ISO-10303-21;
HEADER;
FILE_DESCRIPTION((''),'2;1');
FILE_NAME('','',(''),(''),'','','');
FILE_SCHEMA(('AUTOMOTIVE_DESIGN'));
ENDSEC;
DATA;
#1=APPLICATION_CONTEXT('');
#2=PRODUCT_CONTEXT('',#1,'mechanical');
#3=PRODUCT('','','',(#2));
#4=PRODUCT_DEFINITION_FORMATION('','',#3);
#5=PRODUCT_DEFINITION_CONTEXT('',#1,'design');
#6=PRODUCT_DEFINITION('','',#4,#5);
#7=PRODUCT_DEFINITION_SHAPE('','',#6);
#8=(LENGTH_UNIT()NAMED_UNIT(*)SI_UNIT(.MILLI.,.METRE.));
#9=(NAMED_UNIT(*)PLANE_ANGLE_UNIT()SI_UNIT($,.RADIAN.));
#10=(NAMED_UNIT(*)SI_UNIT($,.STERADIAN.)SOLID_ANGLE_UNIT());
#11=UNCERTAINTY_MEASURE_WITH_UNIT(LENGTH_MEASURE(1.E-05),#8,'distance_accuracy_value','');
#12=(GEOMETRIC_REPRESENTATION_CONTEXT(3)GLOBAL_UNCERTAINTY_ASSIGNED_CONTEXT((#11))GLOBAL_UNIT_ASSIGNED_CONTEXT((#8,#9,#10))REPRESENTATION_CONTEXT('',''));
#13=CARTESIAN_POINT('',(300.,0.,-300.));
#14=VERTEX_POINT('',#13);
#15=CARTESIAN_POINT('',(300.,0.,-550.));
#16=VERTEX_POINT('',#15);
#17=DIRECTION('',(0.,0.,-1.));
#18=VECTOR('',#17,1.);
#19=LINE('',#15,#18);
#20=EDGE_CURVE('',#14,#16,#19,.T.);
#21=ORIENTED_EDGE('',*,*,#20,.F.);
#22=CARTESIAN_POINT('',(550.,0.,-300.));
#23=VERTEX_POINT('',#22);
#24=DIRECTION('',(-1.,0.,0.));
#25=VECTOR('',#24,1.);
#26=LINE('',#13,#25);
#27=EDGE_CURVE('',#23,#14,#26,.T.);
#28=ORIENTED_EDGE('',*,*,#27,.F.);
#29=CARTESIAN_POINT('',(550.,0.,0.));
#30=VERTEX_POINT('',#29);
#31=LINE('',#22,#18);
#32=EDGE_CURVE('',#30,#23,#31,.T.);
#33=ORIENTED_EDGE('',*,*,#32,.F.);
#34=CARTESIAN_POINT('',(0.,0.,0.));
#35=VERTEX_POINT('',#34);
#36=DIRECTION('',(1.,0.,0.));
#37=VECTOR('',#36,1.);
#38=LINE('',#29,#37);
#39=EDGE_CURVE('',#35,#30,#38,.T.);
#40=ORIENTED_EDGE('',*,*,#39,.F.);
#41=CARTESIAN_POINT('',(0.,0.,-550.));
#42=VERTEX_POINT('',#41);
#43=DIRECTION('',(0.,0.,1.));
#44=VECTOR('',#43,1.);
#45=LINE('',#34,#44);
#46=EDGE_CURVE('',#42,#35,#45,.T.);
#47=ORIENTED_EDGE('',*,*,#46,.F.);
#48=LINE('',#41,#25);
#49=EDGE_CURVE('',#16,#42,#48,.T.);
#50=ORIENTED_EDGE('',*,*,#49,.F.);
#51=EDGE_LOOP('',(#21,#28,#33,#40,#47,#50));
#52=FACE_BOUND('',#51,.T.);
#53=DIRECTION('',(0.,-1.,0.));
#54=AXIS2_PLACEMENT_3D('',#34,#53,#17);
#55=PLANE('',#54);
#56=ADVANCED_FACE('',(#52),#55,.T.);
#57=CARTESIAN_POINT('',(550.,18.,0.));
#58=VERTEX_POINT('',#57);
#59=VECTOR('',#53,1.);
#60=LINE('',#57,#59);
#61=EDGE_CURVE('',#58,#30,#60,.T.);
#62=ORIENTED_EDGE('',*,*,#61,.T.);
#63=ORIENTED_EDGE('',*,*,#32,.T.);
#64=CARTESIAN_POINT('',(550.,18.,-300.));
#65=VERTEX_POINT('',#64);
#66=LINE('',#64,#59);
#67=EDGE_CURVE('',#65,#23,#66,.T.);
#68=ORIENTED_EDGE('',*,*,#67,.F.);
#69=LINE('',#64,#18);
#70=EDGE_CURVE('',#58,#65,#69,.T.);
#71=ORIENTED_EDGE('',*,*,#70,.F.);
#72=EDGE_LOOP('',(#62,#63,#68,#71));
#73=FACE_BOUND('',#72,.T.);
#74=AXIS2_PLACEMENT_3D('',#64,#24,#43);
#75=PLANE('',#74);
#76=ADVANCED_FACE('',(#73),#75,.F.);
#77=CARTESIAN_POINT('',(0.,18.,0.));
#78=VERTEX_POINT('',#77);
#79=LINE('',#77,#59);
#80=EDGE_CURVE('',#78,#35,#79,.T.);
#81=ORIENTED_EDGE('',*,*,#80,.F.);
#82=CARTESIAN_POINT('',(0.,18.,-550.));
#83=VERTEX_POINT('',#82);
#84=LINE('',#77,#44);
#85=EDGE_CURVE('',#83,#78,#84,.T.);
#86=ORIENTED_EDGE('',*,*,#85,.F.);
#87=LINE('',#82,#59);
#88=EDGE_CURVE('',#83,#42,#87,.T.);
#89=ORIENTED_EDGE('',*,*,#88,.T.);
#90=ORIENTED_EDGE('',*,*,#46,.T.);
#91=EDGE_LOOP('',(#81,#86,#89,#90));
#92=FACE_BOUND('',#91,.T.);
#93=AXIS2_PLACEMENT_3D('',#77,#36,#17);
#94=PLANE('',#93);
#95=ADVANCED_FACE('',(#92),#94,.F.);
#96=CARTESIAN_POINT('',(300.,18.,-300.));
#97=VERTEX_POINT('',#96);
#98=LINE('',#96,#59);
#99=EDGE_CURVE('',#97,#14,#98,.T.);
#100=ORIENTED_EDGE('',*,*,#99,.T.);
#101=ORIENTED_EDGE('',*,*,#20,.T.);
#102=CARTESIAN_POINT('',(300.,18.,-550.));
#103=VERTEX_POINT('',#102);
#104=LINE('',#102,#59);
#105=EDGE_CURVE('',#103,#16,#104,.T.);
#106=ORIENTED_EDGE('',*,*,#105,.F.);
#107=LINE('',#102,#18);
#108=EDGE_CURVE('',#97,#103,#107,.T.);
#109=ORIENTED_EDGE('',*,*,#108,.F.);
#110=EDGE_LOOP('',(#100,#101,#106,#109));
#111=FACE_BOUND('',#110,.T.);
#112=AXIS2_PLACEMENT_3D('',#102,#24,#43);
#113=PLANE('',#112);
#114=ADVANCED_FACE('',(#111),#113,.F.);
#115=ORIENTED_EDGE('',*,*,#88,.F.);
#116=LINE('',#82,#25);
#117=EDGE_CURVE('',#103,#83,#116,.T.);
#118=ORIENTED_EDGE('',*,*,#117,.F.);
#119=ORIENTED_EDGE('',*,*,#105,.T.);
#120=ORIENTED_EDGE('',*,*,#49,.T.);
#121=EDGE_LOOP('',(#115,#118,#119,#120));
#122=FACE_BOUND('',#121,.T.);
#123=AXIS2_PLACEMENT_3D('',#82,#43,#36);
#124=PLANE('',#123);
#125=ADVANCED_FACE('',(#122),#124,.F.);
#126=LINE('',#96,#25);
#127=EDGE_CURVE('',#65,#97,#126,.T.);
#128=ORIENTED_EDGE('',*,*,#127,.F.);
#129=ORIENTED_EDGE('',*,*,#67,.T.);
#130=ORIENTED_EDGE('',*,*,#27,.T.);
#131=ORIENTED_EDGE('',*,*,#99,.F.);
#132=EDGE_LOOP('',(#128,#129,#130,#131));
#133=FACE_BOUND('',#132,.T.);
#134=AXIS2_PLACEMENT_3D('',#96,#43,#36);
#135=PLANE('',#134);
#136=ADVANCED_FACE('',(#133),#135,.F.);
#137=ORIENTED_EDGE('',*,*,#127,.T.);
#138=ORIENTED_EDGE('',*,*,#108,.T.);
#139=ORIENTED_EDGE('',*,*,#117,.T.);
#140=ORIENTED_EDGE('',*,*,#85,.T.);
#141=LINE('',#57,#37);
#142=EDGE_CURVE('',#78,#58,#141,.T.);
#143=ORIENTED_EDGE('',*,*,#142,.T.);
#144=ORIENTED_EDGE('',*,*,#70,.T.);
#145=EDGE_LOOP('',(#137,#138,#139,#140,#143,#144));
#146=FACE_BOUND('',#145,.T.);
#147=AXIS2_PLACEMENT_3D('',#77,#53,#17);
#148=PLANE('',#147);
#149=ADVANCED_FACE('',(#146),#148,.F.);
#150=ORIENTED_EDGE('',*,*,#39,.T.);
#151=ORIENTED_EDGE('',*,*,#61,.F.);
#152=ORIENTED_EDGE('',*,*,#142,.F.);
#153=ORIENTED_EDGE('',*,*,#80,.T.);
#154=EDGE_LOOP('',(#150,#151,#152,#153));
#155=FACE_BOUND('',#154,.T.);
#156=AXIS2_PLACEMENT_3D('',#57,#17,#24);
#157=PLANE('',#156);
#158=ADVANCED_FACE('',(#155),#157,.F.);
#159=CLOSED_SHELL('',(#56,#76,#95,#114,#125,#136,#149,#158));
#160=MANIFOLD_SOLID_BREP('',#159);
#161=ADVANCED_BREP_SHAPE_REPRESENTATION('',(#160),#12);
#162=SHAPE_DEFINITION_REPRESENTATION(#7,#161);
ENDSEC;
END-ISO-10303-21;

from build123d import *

# Parameters (mm, degrees)
EXTRUDE_1_DEPTH = 18


with BuildPart() as part:
    # Эскиз1 → Бобышка-Вытянуть1 (new body)
    with BuildSketch(Plane(origin=(0, 0, 0), x_dir=(1, 0, 0), z_dir=(0, 1, 0))):
        Polygon((0, 0), (0, 550), (300, 550), (300, 300), (550, 300), (550, 0), align=None)
    extrude(amount=EXTRUDE_1_DEPTH)


solid = part.part
